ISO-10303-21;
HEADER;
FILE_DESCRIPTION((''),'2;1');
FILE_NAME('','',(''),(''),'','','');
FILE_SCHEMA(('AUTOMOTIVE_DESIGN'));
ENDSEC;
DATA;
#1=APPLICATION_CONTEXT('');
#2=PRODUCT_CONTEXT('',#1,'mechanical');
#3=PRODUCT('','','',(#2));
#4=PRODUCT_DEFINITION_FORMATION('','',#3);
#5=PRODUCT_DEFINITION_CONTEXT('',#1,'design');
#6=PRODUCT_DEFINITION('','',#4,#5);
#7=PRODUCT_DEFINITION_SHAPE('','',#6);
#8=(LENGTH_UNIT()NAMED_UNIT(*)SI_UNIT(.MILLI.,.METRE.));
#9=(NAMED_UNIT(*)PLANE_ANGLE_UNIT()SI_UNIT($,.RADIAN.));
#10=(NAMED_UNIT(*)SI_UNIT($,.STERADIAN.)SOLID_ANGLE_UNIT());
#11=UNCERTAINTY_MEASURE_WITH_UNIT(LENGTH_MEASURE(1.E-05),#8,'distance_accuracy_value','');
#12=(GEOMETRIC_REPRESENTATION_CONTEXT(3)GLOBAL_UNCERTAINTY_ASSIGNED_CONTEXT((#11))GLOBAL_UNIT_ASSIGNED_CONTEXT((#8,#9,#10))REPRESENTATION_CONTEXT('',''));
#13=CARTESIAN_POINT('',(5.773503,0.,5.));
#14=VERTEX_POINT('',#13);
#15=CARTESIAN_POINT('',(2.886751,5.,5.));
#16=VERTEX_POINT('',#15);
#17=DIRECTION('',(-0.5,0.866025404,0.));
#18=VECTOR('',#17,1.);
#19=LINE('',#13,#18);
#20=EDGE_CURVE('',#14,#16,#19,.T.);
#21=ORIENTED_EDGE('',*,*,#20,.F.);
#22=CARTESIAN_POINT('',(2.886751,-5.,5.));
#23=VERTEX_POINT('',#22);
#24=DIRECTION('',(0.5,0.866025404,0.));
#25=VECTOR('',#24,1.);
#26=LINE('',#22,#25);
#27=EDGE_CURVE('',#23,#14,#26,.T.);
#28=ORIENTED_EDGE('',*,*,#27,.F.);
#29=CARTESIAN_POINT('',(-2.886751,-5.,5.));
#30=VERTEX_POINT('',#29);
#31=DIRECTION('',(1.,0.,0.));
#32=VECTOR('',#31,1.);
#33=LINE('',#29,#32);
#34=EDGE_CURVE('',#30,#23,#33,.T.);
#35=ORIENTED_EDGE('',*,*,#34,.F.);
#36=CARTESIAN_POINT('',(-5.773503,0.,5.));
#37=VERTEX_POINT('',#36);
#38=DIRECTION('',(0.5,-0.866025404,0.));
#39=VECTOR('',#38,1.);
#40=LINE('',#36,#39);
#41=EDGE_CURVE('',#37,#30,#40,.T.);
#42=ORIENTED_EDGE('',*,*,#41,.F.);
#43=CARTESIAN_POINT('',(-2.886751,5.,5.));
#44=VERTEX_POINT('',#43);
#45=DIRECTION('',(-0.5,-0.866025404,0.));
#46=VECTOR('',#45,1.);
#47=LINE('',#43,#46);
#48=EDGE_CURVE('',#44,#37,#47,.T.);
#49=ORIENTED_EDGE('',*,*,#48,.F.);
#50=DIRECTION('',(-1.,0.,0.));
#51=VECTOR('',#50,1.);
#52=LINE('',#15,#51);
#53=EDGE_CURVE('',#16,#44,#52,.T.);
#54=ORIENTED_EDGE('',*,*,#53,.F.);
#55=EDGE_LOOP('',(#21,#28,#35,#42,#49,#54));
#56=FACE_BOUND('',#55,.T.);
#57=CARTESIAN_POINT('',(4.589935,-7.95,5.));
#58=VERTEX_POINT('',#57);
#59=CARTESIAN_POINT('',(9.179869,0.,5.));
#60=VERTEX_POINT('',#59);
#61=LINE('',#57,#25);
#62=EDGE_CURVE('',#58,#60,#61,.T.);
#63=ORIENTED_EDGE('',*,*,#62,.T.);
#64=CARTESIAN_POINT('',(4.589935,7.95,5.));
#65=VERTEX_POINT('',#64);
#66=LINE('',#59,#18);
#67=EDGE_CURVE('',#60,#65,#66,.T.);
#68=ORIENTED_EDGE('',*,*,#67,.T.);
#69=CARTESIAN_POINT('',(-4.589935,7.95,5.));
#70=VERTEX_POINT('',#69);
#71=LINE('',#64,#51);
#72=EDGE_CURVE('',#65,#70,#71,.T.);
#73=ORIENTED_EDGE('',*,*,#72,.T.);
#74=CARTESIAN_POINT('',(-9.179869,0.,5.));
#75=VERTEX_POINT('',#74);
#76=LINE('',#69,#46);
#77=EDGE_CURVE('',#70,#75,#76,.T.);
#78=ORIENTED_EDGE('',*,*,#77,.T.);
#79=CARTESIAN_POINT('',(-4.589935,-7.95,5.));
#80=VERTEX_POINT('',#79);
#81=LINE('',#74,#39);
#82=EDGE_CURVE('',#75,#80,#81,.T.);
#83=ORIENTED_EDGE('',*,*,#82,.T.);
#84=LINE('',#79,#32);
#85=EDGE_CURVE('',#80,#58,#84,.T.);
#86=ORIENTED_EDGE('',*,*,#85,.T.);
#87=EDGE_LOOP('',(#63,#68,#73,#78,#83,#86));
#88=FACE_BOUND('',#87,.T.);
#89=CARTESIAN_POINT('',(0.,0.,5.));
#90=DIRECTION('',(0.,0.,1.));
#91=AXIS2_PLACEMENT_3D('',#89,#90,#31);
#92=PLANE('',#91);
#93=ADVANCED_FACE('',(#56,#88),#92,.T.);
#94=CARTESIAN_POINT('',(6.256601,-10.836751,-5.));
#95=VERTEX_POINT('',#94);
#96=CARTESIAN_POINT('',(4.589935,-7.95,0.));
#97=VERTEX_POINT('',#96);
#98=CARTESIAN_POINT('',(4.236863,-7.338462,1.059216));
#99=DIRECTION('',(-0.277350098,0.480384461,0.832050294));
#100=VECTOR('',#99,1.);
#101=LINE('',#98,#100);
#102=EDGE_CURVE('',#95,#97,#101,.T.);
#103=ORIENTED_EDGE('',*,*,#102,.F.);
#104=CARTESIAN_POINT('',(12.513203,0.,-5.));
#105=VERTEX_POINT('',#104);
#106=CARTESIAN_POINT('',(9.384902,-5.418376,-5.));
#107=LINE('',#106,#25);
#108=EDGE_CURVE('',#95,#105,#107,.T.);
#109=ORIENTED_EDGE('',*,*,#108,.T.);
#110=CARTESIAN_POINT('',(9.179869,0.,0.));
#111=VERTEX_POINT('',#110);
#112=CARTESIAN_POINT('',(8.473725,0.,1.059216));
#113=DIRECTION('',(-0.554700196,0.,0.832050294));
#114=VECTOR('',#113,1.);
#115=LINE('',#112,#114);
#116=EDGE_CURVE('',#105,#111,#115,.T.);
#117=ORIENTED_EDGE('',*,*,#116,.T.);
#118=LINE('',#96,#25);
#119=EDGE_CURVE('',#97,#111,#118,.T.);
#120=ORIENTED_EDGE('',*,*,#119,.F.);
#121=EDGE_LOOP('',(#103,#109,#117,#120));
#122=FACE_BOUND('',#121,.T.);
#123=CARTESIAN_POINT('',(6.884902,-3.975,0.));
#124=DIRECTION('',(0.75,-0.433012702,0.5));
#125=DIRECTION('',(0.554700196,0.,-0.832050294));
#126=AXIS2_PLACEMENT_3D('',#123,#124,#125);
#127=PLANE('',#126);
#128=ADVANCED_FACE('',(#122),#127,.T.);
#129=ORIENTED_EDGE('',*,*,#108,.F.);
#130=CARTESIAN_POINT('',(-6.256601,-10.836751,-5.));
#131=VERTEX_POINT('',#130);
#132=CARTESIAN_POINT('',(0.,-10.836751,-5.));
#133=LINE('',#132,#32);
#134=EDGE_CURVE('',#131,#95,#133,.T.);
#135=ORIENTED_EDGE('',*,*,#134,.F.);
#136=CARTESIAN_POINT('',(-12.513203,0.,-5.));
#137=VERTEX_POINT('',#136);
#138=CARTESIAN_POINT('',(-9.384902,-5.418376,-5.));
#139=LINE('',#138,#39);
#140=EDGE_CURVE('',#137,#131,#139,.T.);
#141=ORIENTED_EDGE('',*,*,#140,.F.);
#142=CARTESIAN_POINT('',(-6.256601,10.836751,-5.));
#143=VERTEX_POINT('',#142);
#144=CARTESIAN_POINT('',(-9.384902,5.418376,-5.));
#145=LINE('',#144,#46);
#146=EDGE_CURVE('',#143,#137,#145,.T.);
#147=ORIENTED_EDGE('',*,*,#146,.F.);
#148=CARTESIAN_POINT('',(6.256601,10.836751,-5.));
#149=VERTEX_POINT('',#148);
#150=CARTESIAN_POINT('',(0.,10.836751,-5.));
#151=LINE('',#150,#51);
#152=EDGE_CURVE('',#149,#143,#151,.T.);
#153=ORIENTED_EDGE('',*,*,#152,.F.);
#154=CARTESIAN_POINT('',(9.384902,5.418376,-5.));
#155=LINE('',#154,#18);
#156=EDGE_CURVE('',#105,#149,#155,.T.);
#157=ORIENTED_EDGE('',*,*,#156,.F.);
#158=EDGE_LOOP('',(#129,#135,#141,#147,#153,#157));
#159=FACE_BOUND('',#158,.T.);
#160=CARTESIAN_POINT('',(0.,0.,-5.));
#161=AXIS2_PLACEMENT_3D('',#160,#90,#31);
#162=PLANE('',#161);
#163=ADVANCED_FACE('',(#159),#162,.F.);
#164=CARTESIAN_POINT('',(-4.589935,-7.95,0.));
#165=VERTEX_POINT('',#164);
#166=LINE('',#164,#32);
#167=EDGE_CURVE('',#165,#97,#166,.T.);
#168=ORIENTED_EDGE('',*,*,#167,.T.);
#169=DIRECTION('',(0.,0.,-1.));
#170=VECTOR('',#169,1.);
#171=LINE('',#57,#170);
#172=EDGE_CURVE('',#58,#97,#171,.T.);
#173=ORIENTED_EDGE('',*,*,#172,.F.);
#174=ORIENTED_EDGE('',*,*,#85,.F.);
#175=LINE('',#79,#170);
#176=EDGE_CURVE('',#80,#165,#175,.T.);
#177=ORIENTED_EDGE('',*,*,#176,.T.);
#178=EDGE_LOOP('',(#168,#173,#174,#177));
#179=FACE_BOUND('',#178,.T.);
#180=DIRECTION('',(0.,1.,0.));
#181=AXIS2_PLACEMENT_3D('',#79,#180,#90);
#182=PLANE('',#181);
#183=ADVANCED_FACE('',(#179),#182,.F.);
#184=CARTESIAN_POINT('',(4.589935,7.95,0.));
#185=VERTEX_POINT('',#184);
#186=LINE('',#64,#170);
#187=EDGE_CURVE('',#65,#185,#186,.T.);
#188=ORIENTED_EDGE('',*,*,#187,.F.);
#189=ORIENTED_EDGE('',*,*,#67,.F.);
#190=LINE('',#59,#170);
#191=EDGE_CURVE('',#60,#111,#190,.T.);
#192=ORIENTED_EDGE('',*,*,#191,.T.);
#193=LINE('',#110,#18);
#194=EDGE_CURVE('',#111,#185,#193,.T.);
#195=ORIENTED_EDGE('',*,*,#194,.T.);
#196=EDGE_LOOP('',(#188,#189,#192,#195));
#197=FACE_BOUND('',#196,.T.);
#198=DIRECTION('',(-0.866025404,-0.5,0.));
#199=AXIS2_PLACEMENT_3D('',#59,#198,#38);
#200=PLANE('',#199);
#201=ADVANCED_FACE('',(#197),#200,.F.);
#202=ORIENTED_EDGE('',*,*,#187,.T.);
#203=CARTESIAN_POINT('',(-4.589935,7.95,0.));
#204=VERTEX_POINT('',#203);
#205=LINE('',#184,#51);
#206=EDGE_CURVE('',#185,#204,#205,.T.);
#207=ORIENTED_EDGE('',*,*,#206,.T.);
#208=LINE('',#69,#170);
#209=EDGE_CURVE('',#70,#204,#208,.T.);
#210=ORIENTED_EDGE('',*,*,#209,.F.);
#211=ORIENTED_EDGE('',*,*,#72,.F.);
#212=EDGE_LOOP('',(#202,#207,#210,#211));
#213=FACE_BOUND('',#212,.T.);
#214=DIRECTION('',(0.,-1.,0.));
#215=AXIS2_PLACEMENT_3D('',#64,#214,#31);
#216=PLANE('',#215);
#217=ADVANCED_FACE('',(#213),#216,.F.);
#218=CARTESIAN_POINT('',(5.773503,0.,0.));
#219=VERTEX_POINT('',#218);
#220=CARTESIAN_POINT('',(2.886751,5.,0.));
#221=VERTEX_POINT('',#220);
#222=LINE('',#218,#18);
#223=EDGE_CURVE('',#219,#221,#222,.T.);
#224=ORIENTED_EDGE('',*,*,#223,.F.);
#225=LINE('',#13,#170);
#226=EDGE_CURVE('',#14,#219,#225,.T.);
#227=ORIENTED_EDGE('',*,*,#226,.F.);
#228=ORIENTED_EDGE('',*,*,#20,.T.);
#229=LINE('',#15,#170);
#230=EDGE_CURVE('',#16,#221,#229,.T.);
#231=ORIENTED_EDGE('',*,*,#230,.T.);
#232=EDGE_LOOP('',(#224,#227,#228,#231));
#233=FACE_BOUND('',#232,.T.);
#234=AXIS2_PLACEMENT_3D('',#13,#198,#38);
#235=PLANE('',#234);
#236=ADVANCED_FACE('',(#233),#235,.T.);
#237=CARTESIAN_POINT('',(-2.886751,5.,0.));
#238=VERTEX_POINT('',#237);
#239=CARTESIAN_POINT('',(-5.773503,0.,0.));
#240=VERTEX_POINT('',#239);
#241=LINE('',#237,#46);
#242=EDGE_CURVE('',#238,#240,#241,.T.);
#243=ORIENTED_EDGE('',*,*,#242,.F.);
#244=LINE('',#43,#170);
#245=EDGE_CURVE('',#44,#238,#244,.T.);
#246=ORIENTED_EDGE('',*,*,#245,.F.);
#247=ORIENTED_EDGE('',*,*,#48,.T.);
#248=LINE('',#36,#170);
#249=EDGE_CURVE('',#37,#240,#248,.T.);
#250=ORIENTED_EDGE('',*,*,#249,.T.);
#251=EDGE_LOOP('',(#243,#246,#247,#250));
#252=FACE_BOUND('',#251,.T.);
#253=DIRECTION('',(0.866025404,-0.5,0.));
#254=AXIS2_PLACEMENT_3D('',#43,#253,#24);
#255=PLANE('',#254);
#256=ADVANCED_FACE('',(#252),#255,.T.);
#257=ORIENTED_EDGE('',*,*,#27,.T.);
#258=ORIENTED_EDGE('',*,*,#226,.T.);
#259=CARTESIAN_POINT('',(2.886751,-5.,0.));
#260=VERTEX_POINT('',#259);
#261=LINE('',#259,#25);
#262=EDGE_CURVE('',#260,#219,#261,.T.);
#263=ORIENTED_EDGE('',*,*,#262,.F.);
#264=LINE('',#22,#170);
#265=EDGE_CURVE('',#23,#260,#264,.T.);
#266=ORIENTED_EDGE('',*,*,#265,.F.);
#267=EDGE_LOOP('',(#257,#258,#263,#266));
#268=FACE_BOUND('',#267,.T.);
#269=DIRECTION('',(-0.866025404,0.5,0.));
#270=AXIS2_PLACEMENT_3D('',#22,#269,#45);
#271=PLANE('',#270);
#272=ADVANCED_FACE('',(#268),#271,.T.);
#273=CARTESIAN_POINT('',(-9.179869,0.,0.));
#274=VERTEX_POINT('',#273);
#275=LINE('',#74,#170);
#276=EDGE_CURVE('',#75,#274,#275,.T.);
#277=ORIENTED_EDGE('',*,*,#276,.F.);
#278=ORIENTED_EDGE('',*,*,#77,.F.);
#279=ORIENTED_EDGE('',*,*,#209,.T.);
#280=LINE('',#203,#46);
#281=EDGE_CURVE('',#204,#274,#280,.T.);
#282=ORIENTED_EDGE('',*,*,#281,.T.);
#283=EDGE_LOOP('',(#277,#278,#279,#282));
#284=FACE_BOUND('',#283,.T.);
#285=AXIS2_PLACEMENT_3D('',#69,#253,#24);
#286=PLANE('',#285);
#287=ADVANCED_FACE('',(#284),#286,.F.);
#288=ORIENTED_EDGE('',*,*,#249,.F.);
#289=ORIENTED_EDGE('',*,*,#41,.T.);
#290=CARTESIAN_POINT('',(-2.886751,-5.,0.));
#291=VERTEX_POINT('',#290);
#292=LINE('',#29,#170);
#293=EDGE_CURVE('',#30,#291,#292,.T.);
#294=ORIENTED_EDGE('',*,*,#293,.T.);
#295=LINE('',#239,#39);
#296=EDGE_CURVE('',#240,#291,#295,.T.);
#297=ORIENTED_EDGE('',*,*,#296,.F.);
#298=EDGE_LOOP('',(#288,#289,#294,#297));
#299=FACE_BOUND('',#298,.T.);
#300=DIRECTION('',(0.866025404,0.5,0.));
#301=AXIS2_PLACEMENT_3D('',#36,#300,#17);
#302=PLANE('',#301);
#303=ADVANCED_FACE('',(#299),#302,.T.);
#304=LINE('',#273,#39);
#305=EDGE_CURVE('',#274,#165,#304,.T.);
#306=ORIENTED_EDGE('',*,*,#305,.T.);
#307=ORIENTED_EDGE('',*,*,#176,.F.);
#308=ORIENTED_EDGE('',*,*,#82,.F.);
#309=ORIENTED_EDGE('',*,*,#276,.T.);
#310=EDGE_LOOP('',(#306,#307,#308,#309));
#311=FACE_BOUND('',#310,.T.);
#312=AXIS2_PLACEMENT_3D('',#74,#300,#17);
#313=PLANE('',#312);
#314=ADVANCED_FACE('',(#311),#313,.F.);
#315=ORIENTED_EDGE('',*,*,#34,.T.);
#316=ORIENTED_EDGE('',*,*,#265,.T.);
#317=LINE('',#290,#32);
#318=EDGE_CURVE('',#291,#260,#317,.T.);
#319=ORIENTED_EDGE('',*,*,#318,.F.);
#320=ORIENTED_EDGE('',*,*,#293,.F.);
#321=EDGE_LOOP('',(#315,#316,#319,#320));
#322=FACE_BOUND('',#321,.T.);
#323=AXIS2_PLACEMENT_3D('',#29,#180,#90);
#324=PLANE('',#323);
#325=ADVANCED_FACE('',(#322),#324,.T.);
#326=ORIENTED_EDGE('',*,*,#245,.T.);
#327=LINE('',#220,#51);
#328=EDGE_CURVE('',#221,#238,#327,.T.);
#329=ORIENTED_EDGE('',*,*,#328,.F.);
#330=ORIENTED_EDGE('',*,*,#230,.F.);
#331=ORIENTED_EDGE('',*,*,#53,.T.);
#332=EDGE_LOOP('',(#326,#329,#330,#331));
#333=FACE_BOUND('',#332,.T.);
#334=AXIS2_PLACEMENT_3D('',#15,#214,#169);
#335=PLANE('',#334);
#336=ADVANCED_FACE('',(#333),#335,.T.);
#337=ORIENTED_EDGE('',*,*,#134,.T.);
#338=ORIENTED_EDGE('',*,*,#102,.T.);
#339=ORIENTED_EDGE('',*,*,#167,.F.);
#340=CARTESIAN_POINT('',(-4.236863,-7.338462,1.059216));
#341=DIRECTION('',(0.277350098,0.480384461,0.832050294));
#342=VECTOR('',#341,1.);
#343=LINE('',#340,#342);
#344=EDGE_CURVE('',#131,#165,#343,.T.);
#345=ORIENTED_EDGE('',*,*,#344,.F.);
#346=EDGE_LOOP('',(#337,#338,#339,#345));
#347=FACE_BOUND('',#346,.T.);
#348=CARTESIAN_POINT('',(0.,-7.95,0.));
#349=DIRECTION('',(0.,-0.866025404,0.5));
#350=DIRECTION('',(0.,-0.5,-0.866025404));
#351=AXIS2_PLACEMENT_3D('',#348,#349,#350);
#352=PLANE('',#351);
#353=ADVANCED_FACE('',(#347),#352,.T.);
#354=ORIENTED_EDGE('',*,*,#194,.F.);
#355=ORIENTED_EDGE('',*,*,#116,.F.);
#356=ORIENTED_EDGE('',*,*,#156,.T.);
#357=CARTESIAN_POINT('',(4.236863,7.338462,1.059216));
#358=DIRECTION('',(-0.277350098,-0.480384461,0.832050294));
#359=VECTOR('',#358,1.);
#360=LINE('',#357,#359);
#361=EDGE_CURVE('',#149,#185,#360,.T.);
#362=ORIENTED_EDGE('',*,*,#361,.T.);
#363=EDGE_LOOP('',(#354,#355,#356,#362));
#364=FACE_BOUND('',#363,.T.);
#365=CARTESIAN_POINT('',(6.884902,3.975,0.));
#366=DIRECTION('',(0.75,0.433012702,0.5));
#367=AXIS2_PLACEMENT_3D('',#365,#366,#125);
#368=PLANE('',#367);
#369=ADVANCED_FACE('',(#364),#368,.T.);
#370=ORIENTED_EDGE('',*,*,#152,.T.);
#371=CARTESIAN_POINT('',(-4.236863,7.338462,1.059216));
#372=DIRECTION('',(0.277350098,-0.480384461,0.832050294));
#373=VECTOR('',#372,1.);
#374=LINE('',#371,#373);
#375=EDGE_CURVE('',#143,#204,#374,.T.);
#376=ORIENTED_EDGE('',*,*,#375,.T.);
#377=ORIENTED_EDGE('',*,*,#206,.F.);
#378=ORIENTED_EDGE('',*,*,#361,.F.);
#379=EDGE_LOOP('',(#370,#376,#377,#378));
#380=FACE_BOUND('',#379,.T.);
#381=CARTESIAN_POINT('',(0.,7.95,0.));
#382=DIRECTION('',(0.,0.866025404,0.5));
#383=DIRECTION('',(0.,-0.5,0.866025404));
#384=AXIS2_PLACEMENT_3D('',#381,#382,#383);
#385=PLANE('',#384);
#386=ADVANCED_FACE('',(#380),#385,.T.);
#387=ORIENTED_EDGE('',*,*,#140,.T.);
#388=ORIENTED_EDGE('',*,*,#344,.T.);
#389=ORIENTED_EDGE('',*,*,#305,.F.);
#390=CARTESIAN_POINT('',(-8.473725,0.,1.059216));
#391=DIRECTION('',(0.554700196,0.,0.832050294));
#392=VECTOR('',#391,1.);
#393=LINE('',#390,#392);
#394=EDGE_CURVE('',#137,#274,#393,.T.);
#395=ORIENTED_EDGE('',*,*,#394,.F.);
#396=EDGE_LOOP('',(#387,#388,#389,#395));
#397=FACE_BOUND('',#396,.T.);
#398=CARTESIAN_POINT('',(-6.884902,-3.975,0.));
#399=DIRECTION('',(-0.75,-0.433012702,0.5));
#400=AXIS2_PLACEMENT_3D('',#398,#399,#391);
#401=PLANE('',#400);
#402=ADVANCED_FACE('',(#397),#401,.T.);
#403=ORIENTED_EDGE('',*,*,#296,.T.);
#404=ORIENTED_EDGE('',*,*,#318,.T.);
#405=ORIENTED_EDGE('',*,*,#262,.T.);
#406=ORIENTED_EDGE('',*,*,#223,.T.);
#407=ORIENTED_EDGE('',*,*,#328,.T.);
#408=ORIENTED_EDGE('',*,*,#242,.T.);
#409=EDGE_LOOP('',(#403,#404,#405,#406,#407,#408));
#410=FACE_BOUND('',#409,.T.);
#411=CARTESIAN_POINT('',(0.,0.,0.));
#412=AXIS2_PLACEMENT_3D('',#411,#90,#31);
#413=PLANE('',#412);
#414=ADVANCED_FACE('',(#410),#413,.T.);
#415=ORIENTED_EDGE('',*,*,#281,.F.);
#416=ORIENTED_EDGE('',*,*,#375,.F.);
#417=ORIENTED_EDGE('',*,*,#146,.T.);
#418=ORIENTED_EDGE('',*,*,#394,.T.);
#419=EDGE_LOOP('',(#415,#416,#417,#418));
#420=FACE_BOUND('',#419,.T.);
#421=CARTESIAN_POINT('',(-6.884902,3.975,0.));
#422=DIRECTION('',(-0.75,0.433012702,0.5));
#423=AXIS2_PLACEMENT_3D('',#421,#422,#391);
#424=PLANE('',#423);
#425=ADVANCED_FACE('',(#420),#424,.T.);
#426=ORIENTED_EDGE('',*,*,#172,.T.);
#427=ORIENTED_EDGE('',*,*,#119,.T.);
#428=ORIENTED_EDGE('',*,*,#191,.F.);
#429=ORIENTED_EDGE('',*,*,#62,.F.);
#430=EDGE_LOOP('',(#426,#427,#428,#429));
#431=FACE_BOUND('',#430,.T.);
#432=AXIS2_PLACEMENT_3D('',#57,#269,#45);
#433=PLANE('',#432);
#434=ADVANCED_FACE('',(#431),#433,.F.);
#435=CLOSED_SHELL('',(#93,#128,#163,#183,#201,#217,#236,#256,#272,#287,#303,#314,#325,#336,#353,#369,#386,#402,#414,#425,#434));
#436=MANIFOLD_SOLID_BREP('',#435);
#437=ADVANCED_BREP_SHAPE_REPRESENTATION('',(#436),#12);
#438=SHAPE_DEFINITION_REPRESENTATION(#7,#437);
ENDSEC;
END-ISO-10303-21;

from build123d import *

# Parameters (mm, degrees)
BOSS_EXTRUDE1_DEPTH = 5
BOSS_EXTRUDE2_DEPTH = 5
BOSS_EXTRUDE2_DRAFT = 30


with BuildPart() as part:
    # Sketch1 → Boss-Extrude1 (new body)
    with BuildSketch(Plane.XY):
        Polygon((9.17986928, 0), (4.58993464, 7.95), (-4.58993464, 7.95), (-9.17986928, 0), (-4.58993464, -7.95), (4.58993464, -7.95), align=None)
        Polygon((5.773502692, 0), (2.886751346, 5), (-2.886751346, 5), (-5.773502692, 0), (-2.886751346, -5), (2.886751346, -5), align=None, mode=Mode.SUBTRACT)
    extrude(amount=BOSS_EXTRUDE1_DEPTH)


with BuildPart() as boss_extrude2_tool:
    # Sketch1<2> → Boss-Extrude2 (with draft: the straight prism first)
    with BuildSketch(Plane.XY):
        Polygon((4.58993464, -7.95), (9.17986928, 0), (4.58993464, 7.95), (-4.58993464, 7.95), (-9.17986928, 0), (-4.58993464, -7.95), align=None)
    extrude(amount=-BOSS_EXTRUDE2_DEPTH)
    # Boss-Extrude2: the draft: its side faces are tilted about the plane it starts from
    boss_extrude2_sides = [boss_extrude2_tool.faces().sort_by_distance(p)[0] for p in [
        (6.88490196, -3.975, -2.5),
        (6.88490196, 3.975, -2.5),
        (0, 7.95, -2.5),
        (-6.88490196, 3.975, -2.5),
        (-6.88490196, -3.975, -2.5),
        (0, -7.95, -2.5),
    ]]
    draft(boss_extrude2_sides, Plane.XY, BOSS_EXTRUDE2_DRAFT)


with BuildPart() as part_1:
    add(part.part)

    # Boss-Extrude2: add boss_extrude2_tool
    add(boss_extrude2_tool.part)


solid = part_1.part
